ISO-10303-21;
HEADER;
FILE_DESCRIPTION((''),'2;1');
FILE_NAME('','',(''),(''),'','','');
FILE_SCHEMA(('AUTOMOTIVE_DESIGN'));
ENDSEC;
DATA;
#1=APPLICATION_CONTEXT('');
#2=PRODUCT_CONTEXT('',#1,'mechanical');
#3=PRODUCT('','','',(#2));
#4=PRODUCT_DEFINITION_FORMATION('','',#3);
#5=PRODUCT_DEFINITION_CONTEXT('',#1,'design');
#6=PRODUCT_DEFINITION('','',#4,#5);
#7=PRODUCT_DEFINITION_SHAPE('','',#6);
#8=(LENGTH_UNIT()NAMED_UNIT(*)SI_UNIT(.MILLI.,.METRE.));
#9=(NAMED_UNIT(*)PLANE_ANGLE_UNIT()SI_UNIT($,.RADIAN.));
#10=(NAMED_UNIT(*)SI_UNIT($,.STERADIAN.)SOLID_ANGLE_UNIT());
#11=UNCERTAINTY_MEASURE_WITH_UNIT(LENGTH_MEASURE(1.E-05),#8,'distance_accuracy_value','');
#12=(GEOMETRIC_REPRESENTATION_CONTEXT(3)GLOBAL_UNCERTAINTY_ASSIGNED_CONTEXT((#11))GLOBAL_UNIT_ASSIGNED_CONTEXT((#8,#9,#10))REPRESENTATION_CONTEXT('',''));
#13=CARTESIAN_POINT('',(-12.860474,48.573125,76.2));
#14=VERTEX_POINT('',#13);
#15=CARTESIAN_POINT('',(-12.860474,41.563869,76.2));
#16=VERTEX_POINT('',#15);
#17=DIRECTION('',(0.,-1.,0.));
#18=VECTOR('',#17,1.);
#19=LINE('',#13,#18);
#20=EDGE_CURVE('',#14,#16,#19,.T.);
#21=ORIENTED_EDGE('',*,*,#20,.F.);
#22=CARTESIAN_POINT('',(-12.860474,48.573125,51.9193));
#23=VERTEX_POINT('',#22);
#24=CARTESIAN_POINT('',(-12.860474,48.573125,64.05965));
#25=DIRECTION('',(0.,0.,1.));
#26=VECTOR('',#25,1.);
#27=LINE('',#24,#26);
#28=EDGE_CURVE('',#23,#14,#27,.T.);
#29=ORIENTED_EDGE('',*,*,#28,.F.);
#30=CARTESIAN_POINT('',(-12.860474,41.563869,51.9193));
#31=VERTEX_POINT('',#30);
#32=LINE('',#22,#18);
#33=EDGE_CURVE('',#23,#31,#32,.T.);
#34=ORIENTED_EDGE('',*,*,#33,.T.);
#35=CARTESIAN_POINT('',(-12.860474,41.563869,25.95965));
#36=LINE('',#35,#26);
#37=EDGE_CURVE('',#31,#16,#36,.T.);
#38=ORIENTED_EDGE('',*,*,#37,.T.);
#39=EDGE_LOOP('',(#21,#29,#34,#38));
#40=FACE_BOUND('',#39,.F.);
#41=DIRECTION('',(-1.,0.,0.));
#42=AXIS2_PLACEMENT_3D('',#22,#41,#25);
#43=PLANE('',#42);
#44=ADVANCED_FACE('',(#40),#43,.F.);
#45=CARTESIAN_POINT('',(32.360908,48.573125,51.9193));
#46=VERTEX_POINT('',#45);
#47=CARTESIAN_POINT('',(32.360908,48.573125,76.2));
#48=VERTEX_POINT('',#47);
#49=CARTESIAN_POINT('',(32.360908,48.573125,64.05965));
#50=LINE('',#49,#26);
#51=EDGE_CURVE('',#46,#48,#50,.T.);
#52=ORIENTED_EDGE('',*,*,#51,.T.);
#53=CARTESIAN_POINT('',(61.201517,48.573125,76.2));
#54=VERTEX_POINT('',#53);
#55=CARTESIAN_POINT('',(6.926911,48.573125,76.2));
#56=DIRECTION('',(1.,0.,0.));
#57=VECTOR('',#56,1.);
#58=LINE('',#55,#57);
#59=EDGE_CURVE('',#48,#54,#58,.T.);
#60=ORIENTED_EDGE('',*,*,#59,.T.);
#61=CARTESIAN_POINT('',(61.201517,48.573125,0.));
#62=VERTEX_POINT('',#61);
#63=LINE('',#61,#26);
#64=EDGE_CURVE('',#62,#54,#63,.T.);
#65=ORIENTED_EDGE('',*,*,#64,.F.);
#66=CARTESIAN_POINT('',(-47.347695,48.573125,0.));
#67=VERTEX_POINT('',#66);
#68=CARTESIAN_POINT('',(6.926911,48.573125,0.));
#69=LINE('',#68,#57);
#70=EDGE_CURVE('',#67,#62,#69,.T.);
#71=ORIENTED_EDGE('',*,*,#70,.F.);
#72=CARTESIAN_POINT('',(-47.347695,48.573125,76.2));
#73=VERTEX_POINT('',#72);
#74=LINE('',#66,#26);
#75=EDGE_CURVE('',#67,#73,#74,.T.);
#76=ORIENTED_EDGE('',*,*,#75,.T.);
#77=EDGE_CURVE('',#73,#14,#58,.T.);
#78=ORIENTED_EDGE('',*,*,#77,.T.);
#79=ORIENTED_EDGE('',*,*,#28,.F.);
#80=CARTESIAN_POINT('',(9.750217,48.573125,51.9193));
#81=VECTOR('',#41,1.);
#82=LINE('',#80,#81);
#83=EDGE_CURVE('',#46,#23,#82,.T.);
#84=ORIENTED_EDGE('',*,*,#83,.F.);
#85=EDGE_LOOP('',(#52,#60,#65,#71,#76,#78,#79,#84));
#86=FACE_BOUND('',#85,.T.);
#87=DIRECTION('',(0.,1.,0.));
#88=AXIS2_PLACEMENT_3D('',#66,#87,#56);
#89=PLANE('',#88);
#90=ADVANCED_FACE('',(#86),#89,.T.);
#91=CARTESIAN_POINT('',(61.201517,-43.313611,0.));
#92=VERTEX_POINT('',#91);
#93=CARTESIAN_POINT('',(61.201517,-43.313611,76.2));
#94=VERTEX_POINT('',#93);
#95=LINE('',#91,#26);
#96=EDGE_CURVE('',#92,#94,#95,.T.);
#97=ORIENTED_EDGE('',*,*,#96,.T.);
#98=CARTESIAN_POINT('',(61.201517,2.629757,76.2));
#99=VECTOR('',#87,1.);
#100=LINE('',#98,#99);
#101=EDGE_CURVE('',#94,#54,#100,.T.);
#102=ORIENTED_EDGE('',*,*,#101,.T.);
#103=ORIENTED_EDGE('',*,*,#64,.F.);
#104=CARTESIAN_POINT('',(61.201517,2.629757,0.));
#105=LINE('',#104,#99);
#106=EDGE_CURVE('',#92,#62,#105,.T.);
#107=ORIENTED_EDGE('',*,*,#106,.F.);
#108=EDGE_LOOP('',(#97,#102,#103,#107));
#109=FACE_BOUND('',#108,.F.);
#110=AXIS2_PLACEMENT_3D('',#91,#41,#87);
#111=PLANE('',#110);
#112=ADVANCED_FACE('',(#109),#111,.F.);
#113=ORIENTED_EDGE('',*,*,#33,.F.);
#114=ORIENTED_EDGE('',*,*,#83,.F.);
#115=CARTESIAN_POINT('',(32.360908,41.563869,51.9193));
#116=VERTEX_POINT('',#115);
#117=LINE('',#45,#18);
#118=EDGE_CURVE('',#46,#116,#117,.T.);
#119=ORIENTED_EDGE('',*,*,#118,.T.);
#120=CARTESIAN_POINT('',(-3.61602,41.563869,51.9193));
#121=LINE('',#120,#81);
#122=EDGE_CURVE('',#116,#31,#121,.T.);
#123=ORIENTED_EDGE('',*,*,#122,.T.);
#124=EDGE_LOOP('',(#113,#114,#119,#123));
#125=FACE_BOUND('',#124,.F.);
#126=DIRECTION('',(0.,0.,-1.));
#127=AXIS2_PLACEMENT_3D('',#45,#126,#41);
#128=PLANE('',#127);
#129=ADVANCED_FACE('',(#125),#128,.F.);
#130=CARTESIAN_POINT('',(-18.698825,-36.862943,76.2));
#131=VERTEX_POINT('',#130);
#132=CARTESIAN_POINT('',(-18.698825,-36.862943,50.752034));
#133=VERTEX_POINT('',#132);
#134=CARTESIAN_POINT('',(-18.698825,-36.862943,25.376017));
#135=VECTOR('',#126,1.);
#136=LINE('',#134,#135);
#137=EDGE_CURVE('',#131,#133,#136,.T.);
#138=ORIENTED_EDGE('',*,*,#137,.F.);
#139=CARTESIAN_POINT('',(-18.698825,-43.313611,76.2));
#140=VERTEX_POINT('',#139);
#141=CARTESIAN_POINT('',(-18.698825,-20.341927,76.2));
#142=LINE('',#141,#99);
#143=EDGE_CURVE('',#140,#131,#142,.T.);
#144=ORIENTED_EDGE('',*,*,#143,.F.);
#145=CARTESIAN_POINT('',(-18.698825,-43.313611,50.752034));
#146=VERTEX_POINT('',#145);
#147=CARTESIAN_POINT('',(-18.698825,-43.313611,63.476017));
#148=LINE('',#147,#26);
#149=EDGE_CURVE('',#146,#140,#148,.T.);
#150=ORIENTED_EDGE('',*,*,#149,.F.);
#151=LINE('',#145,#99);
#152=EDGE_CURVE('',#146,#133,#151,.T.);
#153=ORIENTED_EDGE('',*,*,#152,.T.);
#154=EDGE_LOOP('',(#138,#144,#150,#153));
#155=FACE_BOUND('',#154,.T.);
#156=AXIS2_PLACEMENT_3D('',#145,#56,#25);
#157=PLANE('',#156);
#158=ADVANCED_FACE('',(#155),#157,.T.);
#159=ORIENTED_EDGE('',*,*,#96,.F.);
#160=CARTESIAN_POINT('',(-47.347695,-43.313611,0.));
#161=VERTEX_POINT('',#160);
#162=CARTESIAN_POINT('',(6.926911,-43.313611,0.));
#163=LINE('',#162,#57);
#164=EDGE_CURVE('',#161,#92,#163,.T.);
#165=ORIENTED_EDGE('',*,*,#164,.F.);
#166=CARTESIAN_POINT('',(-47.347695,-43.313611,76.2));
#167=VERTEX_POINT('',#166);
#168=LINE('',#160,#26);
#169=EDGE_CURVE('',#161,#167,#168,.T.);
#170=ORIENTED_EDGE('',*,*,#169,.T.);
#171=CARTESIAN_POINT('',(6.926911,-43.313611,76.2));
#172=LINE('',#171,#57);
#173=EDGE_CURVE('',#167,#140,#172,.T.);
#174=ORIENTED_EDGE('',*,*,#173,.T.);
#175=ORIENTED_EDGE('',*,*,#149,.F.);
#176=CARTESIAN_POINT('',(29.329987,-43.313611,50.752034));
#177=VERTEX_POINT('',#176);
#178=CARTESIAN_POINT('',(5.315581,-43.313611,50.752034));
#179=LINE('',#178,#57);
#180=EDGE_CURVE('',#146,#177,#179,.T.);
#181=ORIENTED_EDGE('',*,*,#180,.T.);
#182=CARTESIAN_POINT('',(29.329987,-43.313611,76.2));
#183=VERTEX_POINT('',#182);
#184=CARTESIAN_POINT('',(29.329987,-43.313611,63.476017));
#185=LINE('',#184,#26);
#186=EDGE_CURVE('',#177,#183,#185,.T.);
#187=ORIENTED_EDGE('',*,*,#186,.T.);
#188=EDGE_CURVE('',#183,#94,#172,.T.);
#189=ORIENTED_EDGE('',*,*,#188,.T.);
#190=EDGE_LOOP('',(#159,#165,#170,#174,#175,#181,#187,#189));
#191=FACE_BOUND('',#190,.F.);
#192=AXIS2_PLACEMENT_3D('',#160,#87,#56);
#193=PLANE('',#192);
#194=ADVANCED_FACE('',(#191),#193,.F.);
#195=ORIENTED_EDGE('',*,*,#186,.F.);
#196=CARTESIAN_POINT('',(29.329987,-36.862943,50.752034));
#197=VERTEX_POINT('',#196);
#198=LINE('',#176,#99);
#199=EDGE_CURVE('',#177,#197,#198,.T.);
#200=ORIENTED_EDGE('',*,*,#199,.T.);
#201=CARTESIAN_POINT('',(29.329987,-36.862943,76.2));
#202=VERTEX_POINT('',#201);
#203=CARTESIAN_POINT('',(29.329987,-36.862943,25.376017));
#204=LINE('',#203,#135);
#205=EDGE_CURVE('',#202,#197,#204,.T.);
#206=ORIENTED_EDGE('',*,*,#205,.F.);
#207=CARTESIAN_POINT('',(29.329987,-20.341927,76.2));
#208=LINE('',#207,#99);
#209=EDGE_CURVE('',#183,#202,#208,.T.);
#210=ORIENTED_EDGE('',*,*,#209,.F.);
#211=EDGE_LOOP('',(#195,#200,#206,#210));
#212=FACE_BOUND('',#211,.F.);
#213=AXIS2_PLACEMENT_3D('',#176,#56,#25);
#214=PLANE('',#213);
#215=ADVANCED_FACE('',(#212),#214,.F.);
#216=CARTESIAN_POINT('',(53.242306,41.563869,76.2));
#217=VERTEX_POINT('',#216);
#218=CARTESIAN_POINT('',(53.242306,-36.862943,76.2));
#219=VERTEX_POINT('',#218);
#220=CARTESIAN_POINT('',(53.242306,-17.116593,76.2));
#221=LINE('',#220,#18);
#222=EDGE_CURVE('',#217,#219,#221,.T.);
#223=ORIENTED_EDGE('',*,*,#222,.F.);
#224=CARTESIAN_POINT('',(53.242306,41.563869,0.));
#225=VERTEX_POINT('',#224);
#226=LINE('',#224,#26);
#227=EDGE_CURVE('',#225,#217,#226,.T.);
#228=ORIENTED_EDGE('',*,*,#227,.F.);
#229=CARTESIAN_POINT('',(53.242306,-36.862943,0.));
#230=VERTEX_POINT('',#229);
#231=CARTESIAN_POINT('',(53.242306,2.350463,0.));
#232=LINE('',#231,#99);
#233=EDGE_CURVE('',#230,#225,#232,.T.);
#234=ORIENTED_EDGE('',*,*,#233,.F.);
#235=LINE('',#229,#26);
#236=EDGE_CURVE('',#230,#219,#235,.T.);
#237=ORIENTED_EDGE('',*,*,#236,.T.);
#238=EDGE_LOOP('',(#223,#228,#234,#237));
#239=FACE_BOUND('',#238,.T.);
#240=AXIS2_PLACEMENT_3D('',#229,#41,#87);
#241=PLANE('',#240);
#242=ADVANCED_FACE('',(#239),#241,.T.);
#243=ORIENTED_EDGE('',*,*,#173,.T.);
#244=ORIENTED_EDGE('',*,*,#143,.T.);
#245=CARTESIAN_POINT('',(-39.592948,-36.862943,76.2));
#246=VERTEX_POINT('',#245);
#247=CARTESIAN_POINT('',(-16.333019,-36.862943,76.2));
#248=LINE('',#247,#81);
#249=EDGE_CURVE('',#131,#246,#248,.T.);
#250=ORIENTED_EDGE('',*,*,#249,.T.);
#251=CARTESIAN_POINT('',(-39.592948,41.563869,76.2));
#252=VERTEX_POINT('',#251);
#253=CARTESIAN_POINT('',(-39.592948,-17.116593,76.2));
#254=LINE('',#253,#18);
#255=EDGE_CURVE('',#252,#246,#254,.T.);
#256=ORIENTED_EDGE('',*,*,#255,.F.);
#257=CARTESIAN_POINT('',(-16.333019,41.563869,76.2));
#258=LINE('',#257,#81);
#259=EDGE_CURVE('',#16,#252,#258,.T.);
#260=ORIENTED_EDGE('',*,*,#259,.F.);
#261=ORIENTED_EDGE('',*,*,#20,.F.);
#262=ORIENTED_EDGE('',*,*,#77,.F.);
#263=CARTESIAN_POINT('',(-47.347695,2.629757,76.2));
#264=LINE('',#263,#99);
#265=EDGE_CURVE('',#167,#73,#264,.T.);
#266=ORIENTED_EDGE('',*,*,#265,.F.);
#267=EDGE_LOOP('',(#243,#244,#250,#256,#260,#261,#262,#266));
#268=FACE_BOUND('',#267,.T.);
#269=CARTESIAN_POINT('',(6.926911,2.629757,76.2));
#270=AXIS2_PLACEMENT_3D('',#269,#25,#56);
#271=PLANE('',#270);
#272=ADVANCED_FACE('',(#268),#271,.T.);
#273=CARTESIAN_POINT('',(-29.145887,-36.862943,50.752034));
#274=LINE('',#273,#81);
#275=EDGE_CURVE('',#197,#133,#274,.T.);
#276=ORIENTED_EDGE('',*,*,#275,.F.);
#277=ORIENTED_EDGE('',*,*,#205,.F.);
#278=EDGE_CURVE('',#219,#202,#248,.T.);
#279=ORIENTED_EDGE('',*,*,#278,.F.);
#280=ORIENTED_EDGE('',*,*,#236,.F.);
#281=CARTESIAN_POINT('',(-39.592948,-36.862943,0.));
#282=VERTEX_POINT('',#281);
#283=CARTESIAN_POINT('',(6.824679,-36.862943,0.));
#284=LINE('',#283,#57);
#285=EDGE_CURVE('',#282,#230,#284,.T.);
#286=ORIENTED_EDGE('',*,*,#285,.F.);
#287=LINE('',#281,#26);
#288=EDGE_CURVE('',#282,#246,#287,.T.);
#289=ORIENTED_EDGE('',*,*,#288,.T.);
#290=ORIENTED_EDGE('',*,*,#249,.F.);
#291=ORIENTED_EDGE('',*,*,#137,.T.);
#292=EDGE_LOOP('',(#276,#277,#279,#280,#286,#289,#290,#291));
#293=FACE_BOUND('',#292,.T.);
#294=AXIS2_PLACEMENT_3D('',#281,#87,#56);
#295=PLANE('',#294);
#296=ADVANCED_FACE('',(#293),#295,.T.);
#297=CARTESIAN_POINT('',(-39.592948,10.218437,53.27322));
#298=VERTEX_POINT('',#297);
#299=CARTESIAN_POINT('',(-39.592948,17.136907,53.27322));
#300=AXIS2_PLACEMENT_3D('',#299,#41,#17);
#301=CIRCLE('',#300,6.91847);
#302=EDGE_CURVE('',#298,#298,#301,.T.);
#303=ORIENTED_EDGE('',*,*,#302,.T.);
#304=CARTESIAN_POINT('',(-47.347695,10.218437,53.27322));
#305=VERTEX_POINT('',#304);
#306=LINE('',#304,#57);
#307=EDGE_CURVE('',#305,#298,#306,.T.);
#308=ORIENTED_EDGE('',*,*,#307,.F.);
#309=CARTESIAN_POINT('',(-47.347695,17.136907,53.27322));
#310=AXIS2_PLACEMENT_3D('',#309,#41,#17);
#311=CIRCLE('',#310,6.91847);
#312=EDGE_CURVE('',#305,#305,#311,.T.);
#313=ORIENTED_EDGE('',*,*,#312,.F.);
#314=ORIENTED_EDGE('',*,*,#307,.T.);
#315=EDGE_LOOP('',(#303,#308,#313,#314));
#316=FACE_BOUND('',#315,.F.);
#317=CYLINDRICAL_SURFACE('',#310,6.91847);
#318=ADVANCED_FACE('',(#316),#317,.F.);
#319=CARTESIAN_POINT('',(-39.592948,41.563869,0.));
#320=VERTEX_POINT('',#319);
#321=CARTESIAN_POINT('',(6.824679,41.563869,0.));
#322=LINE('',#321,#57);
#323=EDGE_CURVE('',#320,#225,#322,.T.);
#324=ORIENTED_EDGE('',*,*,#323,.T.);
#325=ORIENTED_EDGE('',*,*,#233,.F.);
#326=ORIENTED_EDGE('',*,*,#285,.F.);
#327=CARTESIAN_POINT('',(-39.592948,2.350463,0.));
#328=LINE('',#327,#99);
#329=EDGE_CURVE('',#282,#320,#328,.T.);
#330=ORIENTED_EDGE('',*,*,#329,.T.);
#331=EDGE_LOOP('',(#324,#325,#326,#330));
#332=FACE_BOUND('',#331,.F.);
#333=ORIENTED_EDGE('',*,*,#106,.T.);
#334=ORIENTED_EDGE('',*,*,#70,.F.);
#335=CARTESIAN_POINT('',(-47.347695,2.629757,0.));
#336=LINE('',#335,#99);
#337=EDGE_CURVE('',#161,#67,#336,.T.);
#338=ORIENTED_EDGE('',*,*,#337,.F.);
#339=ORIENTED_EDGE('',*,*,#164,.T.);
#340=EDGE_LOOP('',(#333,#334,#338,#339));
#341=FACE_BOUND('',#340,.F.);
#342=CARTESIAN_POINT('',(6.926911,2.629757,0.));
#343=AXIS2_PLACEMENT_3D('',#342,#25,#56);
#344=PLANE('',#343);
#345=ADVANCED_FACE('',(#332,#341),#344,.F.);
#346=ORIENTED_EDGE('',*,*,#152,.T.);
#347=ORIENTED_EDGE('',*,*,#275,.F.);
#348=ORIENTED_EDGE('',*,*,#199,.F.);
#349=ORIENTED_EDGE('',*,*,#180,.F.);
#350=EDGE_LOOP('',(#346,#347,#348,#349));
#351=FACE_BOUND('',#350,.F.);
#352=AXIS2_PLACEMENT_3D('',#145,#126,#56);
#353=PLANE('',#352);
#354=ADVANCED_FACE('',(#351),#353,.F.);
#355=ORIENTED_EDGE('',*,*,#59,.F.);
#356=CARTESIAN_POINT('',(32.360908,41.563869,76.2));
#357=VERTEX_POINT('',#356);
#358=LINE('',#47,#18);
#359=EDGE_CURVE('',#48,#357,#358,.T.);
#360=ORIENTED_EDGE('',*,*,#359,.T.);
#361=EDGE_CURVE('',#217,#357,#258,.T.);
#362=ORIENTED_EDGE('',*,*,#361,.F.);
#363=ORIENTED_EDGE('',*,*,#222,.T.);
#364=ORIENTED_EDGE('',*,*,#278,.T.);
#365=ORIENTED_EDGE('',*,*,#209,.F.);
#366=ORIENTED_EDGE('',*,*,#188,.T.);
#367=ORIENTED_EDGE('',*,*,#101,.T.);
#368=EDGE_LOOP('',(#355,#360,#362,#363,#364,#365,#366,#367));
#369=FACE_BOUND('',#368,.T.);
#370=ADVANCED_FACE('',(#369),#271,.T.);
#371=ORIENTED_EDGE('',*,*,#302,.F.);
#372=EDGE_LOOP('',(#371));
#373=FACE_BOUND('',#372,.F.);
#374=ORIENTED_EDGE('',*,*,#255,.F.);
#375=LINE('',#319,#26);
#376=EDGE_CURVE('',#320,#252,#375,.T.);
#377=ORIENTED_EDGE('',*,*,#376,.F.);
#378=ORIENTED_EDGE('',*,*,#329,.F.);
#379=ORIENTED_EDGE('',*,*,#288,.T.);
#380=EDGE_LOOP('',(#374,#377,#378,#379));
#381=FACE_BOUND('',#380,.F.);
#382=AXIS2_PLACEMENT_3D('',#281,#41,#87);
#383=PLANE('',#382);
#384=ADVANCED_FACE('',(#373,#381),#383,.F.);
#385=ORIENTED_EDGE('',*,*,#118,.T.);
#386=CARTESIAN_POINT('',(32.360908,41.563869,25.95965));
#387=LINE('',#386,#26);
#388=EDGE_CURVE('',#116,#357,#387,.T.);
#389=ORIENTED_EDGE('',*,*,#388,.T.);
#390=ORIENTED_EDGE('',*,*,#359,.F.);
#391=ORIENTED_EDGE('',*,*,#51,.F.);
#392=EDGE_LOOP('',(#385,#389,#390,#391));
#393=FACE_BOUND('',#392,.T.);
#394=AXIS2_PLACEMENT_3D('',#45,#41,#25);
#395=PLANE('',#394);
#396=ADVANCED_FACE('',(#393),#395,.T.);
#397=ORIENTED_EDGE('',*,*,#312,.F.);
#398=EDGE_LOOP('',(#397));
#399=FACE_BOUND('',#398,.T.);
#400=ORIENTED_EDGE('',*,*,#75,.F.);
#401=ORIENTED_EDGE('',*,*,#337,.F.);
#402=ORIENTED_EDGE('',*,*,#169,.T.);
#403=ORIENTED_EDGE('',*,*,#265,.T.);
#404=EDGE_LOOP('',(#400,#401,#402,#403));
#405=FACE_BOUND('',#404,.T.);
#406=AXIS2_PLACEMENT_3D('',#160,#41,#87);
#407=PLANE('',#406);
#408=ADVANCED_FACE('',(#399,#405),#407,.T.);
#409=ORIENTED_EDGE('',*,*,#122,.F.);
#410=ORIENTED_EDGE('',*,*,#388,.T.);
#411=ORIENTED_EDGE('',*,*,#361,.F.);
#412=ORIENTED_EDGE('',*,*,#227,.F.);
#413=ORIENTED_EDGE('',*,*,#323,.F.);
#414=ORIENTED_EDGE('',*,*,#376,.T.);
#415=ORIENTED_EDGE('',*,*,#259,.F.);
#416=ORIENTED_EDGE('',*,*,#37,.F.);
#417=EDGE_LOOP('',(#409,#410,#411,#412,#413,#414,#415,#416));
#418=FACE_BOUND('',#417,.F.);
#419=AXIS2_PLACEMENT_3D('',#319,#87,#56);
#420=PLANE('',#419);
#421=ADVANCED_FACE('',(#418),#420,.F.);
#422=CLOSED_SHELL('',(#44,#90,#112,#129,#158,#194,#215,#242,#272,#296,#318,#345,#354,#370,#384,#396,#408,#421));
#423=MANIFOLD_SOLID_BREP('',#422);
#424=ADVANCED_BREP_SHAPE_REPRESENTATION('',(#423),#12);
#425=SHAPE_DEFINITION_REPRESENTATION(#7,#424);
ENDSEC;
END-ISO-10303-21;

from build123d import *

# Parameters (mm, degrees)
F0_W      = 108.549212
F0_H      = 91.886736
F1_DEPTH  = 76.2
F2_W      = 92.835255
F2_H      = 78.426812
F3_DEPTH  = 82.55
F5_R      = 6.91847
F6_DEPTH  = 25.4
F7_W      = 48.028812
F7_H      = 25.447967
F8_DEPTH  = 25.4
F9_W      = 45.221382
F9_H      = 24.2807
F10_DEPTH = 25.4


with BuildPart() as f1:
    # F0 (on Top) → F1 (new body)
    with BuildSketch(Plane.XY):
        with Locations((6.926911, 2.629757)):
            Rectangle(F0_W, F0_H)
    extrude(amount=F1_DEPTH)

    # F2 (on Top) → F3 (cut)
    with BuildSketch(Plane.XY):
        with Locations((6.824679, 2.350463)):
            Rectangle(F2_W, F2_H)
    extrude(amount=F3_DEPTH, mode=Mode.SUBTRACT)

    # F5 (on face) → F6 (cut)
    with BuildSketch(Plane(origin=(-47.347695, 0, 0), x_dir=(0, -1, 0), z_dir=(-1, 0, 0))):
        with Locations((-17.136907, 53.27322)):
            Circle(F5_R)
    extrude(amount=-F6_DEPTH, mode=Mode.SUBTRACT)

    # F7 (on face) → F8 (cut)
    with BuildSketch(Plane.XZ.offset(43.313611)):
        with Locations((5.315581, 63.476017)):
            Rectangle(F7_W, F7_H)
    extrude(amount=-F8_DEPTH, mode=Mode.SUBTRACT)

    # F9 (on face) → F10 (cut)
    with BuildSketch(Plane(origin=(0, 48.573125, 0), x_dir=(-1, 0, 0), z_dir=(0, 1, 0))):
        with Locations((-9.750217, 64.05965)):
            Rectangle(F9_W, F9_H)
    extrude(amount=-F10_DEPTH, mode=Mode.SUBTRACT)


solid = f1.part
